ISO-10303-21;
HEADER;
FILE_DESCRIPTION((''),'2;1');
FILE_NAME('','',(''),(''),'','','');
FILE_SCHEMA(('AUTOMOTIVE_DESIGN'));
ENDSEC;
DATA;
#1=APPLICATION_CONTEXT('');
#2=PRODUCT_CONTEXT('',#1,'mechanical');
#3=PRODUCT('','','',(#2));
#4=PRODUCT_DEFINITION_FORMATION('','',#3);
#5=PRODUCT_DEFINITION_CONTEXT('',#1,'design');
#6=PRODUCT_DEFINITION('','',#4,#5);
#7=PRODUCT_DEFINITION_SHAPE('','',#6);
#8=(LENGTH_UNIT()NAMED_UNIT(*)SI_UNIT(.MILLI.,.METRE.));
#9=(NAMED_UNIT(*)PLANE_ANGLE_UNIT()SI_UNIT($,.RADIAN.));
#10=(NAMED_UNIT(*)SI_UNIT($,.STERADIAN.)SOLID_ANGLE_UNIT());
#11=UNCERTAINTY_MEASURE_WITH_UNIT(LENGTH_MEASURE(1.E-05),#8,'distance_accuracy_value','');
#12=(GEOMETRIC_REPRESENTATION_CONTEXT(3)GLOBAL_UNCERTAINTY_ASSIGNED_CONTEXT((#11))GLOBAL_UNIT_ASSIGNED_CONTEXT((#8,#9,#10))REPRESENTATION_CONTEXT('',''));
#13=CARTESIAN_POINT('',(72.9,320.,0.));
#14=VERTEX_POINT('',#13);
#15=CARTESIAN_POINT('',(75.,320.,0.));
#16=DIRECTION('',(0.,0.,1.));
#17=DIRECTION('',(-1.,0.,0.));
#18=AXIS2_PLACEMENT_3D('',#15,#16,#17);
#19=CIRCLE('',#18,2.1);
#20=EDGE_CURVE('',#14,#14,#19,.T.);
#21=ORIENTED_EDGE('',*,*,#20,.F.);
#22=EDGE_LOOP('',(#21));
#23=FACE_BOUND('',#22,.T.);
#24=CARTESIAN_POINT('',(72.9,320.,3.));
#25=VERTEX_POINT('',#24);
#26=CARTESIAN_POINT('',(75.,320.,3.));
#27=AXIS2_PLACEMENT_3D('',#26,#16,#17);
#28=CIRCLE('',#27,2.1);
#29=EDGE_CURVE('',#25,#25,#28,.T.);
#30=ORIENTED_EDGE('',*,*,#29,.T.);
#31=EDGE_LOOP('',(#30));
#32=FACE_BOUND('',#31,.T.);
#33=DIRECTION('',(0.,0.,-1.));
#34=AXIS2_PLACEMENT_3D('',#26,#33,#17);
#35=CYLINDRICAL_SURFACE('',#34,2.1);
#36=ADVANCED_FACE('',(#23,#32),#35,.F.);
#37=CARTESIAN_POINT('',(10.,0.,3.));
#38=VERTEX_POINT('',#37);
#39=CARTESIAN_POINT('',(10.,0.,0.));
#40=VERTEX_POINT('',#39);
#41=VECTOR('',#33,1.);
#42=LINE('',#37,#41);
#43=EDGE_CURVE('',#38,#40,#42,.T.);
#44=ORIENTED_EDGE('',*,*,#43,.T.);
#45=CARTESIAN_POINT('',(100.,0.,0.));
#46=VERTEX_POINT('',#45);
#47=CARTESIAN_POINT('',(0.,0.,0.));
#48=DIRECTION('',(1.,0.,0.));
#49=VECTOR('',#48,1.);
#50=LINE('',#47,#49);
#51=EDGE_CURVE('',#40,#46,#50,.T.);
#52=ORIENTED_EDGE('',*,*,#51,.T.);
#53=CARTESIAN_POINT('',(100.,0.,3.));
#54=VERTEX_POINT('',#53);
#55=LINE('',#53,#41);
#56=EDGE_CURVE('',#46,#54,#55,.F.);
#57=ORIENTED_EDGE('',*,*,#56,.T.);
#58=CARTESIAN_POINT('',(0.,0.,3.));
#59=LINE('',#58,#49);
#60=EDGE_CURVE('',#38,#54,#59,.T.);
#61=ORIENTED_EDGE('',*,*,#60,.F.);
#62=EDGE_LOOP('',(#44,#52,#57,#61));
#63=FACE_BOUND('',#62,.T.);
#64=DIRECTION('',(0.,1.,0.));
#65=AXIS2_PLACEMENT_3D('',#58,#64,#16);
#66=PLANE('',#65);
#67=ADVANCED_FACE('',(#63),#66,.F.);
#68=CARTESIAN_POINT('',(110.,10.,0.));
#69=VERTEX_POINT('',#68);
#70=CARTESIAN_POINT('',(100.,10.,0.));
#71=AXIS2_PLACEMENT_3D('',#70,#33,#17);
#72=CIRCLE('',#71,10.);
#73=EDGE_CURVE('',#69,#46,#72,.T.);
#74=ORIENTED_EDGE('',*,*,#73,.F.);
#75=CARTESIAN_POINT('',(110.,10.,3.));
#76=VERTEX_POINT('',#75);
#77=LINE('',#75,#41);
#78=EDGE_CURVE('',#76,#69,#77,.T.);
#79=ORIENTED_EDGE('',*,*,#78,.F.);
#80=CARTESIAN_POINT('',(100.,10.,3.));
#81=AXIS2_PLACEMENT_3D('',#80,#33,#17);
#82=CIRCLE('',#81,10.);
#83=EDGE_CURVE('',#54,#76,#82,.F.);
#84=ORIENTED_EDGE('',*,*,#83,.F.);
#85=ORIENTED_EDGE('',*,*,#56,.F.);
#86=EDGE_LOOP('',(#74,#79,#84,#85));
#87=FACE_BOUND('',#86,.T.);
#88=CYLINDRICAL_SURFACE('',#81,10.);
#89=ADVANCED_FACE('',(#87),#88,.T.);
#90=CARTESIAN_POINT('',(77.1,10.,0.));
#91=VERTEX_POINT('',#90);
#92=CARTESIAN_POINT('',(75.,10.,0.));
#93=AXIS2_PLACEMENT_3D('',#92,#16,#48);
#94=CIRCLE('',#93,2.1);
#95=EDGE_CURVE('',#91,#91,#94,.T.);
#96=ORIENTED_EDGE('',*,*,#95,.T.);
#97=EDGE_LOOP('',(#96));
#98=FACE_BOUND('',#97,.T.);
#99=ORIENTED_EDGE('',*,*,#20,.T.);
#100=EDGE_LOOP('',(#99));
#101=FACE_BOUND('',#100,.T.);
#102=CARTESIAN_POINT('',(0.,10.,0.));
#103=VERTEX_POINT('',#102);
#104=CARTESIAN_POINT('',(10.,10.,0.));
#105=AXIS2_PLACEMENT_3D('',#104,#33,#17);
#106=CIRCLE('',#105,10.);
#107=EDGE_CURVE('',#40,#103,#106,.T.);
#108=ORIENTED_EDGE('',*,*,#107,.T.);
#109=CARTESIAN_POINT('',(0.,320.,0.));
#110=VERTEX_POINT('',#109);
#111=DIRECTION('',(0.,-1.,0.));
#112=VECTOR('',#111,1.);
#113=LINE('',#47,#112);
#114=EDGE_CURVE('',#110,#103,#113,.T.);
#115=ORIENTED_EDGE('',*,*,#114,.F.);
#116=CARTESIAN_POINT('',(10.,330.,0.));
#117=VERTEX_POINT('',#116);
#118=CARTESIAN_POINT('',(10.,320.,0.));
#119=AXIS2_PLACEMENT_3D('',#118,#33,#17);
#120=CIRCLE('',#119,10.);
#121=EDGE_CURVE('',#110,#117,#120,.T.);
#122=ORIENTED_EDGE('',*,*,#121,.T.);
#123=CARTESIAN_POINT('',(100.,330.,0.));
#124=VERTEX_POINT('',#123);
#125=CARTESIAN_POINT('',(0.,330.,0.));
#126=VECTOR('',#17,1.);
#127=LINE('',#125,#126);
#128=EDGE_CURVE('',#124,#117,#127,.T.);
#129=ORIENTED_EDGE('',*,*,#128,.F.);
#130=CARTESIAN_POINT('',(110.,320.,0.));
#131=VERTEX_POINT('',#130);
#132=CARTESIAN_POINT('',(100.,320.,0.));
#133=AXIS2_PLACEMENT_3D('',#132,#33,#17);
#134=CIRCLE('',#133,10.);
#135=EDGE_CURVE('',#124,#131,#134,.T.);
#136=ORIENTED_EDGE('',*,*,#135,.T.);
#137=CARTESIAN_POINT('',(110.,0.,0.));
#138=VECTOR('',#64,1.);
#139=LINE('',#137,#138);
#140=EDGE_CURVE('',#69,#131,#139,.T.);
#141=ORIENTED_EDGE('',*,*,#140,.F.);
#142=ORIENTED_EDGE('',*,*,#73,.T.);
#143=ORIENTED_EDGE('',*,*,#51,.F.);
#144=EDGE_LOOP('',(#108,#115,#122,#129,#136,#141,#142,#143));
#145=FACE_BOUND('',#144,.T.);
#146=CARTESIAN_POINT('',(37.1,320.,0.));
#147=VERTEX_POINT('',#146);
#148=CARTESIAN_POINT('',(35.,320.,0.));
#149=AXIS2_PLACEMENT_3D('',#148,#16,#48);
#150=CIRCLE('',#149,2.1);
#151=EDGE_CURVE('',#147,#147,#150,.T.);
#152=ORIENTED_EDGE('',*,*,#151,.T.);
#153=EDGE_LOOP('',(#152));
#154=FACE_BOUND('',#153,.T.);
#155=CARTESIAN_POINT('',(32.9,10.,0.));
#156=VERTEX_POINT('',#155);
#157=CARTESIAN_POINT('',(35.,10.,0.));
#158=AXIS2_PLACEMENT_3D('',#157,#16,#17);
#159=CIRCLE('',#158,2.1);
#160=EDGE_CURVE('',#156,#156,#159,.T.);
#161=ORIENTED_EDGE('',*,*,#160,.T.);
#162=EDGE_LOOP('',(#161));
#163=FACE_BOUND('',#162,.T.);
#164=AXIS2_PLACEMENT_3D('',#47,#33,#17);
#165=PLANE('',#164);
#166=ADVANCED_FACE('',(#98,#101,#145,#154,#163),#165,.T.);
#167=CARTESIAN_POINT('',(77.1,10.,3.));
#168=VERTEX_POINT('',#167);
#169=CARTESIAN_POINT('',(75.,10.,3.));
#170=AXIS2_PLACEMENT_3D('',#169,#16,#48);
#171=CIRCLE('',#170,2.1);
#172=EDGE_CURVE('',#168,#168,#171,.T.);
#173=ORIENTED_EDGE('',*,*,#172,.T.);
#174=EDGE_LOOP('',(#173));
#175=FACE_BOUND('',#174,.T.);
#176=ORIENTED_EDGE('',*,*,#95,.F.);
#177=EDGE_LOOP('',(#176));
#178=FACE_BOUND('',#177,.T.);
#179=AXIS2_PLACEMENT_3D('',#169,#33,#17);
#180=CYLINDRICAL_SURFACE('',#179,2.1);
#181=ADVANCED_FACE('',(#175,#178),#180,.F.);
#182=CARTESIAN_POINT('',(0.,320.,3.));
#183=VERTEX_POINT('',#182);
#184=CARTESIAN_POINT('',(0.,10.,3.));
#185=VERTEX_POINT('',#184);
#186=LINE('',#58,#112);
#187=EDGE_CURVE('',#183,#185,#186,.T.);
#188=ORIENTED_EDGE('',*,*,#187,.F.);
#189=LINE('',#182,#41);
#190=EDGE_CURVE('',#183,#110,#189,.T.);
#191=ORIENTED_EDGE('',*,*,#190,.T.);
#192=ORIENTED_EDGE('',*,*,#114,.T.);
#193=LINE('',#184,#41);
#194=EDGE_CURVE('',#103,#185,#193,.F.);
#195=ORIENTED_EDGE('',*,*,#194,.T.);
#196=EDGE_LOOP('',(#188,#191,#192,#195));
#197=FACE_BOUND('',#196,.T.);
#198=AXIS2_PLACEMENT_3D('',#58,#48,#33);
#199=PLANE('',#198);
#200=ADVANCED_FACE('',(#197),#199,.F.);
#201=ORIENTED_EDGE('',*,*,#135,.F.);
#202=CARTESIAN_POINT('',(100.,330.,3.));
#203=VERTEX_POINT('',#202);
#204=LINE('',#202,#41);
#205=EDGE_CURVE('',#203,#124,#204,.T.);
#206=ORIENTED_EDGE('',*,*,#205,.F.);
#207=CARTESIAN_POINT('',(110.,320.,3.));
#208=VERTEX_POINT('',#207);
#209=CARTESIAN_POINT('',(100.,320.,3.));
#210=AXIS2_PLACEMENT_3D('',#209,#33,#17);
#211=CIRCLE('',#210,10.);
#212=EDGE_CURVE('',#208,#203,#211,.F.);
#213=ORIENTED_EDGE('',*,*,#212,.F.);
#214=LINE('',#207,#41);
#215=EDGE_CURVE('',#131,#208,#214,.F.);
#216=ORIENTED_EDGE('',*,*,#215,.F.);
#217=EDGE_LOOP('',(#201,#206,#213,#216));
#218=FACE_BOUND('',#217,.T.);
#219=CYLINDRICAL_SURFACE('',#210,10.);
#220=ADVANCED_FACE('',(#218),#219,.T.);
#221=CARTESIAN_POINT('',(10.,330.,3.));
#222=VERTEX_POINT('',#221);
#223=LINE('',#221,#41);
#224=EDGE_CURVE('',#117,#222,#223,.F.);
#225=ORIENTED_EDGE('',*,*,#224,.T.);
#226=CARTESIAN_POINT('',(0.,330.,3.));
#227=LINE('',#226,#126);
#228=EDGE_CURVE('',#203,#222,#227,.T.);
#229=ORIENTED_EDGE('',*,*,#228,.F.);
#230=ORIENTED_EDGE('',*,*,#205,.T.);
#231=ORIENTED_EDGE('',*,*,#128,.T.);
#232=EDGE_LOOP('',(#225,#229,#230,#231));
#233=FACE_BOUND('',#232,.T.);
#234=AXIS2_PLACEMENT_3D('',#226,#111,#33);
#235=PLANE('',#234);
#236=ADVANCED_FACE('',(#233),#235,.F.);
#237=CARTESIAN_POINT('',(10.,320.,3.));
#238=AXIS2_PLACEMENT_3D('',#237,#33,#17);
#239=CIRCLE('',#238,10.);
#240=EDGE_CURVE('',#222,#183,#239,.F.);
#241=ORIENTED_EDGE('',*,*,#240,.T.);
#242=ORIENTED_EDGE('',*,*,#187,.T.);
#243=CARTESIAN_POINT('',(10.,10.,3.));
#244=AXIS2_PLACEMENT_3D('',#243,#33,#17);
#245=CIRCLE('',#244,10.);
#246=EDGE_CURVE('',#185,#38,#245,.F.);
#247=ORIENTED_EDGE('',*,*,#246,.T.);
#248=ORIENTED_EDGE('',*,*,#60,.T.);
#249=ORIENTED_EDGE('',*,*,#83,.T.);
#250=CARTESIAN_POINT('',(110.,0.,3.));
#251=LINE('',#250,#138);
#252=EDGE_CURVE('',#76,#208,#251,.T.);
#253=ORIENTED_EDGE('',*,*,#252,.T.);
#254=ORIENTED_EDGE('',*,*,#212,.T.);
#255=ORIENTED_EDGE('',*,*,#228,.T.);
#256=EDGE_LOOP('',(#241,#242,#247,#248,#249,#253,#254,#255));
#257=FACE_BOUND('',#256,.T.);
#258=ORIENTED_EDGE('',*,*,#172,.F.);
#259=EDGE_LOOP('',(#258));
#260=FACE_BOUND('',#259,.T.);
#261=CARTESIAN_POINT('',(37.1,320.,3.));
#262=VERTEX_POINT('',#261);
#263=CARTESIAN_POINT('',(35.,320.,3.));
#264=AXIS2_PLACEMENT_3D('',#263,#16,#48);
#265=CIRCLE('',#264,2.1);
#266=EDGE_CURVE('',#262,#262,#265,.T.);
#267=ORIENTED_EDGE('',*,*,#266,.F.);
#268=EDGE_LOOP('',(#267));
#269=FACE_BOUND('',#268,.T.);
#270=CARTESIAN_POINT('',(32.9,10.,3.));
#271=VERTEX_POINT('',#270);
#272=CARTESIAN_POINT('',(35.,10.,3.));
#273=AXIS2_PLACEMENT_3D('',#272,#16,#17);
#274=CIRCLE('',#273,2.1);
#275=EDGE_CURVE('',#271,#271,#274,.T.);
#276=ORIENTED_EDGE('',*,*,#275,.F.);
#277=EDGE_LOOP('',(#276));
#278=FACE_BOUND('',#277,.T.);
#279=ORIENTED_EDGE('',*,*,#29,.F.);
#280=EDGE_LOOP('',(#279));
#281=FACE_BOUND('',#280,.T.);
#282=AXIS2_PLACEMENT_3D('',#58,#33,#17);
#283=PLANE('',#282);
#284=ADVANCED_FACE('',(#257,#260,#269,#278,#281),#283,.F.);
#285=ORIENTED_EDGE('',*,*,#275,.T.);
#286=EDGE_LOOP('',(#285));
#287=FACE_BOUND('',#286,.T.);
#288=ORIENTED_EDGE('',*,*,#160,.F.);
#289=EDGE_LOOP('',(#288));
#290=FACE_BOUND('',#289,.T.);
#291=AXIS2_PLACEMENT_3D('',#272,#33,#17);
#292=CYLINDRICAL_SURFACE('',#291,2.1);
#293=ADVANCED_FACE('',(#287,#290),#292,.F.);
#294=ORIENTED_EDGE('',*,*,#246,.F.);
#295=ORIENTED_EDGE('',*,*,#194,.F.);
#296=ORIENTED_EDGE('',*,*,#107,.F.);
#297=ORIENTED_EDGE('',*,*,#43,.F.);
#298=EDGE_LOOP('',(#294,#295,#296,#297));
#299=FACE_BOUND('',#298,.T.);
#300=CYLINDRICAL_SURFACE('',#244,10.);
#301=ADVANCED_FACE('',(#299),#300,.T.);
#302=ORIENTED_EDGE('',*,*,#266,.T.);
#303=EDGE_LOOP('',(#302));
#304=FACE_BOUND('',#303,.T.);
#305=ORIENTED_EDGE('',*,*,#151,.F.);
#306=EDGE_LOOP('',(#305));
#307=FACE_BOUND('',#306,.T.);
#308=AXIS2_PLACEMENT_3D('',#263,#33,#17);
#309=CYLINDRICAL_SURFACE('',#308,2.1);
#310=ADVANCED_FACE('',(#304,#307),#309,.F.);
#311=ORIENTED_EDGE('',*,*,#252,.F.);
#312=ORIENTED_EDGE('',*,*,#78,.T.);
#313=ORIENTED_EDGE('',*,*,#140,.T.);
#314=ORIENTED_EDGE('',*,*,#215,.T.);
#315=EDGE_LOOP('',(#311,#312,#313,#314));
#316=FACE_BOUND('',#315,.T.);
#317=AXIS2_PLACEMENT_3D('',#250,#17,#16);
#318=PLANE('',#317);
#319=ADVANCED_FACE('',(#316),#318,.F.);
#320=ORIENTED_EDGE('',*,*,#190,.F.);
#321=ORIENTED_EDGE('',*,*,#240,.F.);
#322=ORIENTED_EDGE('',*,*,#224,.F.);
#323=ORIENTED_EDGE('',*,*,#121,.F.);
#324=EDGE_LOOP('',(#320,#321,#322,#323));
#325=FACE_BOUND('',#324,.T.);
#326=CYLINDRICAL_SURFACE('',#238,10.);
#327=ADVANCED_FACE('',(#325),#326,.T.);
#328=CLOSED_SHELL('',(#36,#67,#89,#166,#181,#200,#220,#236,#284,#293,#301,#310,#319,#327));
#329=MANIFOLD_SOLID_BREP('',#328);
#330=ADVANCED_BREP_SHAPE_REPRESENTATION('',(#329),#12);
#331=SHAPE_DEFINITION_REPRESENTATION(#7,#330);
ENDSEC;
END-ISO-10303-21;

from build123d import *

# Parameters (mm, degrees)
SKETCH1_W           = 110
SKETCH1_H           = 330
SKETCH1_R           = 2.1
BOSS_EXTRUDE1_DEPTH = 3
FILLET1_R           = 10


with BuildPart() as part:
    # Sketch1 → Boss-Extrude1 (new body)
    with BuildSketch(Plane.XY):
        with Locations((55, 165)):
            Rectangle(SKETCH1_W, SKETCH1_H)
        with Locations((35, 320)):
            Circle(SKETCH1_R, mode=Mode.SUBTRACT)
        with Locations((75, 320)):
            Circle(SKETCH1_R, mode=Mode.SUBTRACT)
        with Locations((75, 10)):
            Circle(SKETCH1_R, mode=Mode.SUBTRACT)
        with Locations((35, 10)):
            Circle(SKETCH1_R, mode=Mode.SUBTRACT)
    extrude(amount=BOSS_EXTRUDE1_DEPTH)

    # Fillet1
    fillet1_edges = [part.edges().sort_by_distance(p)[0] for p in [
        (0, 330, 1.5),
        (110, 330, 1.5),
        (110, 0, 1.5),
        (0, 0, 1.5),
    ]]
    fillet(fillet1_edges, radius=FILLET1_R)


solid = part.part
